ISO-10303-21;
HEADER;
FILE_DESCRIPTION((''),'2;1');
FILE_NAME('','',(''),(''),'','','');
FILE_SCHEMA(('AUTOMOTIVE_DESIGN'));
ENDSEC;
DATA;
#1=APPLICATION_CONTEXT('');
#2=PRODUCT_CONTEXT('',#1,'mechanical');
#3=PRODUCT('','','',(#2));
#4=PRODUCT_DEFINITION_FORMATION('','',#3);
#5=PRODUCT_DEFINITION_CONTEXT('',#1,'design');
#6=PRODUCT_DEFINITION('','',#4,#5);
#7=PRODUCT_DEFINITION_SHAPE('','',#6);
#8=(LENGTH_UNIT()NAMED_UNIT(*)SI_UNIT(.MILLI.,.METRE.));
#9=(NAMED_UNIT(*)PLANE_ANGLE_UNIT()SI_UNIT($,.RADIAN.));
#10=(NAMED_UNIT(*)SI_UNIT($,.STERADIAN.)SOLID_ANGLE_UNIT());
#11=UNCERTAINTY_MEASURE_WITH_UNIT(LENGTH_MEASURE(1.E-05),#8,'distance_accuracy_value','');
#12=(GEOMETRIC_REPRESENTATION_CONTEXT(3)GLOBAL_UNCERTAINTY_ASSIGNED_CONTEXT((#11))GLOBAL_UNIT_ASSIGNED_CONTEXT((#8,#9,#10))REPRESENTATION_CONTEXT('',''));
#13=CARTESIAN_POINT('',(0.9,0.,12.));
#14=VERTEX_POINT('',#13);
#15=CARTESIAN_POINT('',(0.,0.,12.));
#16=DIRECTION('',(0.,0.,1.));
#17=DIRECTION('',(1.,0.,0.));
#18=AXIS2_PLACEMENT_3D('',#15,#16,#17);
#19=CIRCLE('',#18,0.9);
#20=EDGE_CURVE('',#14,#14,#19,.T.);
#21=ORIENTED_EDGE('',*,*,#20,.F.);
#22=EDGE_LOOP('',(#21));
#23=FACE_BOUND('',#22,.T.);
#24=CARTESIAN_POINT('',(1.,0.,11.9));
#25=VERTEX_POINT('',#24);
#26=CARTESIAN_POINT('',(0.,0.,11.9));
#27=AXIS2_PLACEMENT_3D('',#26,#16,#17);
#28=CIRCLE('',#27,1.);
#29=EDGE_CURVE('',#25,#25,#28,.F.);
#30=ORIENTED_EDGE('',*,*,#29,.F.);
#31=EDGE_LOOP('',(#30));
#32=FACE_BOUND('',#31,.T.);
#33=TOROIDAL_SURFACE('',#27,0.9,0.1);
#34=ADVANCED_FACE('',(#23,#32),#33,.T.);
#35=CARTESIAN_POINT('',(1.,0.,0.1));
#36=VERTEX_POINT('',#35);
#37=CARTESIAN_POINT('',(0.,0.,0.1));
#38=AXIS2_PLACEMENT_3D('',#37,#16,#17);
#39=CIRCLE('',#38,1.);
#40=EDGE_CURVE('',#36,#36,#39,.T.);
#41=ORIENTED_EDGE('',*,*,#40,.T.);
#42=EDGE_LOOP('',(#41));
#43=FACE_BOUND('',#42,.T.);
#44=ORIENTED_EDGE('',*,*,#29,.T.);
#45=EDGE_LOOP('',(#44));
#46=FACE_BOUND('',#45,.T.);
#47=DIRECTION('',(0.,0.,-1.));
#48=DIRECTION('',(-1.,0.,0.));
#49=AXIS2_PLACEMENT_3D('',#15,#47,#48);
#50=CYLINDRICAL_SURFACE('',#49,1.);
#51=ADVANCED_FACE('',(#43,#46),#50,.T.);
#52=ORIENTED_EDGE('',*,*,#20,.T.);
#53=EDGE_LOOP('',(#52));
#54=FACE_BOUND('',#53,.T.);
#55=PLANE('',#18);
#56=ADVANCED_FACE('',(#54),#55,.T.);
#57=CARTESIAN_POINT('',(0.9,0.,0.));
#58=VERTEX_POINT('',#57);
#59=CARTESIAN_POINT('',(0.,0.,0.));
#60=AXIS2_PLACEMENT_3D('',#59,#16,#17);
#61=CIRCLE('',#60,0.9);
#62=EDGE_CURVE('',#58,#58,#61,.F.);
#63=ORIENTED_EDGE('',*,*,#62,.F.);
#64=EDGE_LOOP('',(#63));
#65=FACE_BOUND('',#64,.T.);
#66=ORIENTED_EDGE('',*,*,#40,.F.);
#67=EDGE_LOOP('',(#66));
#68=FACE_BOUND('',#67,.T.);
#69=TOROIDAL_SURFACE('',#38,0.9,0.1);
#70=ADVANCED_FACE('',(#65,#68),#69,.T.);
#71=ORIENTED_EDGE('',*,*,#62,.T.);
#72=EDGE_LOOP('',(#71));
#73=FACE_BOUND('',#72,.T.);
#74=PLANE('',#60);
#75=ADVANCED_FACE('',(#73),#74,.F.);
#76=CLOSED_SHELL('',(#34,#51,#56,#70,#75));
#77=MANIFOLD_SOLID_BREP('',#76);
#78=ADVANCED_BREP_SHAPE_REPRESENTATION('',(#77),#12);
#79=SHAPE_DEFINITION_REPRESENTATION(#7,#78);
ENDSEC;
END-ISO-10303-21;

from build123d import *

# Parameters (mm, degrees)
SKETCH1_R      = 1
EXTRUDE1_DEPTH = 12
FILLET1_R      = 0.1


with BuildPart() as part:
    # Sketch1 → Extrude1 (new body)
    with BuildSketch(Plane.XY):
        Circle(SKETCH1_R)
    extrude(amount=EXTRUDE1_DEPTH)

    # Fillet1
    fillet1_edges = [part.edges().sort_by_distance(p)[0] for p in [
        (-1, 0, 0),
        (-1, 0, 12),
    ]]
    fillet(fillet1_edges, radius=FILLET1_R)


solid = part.part
